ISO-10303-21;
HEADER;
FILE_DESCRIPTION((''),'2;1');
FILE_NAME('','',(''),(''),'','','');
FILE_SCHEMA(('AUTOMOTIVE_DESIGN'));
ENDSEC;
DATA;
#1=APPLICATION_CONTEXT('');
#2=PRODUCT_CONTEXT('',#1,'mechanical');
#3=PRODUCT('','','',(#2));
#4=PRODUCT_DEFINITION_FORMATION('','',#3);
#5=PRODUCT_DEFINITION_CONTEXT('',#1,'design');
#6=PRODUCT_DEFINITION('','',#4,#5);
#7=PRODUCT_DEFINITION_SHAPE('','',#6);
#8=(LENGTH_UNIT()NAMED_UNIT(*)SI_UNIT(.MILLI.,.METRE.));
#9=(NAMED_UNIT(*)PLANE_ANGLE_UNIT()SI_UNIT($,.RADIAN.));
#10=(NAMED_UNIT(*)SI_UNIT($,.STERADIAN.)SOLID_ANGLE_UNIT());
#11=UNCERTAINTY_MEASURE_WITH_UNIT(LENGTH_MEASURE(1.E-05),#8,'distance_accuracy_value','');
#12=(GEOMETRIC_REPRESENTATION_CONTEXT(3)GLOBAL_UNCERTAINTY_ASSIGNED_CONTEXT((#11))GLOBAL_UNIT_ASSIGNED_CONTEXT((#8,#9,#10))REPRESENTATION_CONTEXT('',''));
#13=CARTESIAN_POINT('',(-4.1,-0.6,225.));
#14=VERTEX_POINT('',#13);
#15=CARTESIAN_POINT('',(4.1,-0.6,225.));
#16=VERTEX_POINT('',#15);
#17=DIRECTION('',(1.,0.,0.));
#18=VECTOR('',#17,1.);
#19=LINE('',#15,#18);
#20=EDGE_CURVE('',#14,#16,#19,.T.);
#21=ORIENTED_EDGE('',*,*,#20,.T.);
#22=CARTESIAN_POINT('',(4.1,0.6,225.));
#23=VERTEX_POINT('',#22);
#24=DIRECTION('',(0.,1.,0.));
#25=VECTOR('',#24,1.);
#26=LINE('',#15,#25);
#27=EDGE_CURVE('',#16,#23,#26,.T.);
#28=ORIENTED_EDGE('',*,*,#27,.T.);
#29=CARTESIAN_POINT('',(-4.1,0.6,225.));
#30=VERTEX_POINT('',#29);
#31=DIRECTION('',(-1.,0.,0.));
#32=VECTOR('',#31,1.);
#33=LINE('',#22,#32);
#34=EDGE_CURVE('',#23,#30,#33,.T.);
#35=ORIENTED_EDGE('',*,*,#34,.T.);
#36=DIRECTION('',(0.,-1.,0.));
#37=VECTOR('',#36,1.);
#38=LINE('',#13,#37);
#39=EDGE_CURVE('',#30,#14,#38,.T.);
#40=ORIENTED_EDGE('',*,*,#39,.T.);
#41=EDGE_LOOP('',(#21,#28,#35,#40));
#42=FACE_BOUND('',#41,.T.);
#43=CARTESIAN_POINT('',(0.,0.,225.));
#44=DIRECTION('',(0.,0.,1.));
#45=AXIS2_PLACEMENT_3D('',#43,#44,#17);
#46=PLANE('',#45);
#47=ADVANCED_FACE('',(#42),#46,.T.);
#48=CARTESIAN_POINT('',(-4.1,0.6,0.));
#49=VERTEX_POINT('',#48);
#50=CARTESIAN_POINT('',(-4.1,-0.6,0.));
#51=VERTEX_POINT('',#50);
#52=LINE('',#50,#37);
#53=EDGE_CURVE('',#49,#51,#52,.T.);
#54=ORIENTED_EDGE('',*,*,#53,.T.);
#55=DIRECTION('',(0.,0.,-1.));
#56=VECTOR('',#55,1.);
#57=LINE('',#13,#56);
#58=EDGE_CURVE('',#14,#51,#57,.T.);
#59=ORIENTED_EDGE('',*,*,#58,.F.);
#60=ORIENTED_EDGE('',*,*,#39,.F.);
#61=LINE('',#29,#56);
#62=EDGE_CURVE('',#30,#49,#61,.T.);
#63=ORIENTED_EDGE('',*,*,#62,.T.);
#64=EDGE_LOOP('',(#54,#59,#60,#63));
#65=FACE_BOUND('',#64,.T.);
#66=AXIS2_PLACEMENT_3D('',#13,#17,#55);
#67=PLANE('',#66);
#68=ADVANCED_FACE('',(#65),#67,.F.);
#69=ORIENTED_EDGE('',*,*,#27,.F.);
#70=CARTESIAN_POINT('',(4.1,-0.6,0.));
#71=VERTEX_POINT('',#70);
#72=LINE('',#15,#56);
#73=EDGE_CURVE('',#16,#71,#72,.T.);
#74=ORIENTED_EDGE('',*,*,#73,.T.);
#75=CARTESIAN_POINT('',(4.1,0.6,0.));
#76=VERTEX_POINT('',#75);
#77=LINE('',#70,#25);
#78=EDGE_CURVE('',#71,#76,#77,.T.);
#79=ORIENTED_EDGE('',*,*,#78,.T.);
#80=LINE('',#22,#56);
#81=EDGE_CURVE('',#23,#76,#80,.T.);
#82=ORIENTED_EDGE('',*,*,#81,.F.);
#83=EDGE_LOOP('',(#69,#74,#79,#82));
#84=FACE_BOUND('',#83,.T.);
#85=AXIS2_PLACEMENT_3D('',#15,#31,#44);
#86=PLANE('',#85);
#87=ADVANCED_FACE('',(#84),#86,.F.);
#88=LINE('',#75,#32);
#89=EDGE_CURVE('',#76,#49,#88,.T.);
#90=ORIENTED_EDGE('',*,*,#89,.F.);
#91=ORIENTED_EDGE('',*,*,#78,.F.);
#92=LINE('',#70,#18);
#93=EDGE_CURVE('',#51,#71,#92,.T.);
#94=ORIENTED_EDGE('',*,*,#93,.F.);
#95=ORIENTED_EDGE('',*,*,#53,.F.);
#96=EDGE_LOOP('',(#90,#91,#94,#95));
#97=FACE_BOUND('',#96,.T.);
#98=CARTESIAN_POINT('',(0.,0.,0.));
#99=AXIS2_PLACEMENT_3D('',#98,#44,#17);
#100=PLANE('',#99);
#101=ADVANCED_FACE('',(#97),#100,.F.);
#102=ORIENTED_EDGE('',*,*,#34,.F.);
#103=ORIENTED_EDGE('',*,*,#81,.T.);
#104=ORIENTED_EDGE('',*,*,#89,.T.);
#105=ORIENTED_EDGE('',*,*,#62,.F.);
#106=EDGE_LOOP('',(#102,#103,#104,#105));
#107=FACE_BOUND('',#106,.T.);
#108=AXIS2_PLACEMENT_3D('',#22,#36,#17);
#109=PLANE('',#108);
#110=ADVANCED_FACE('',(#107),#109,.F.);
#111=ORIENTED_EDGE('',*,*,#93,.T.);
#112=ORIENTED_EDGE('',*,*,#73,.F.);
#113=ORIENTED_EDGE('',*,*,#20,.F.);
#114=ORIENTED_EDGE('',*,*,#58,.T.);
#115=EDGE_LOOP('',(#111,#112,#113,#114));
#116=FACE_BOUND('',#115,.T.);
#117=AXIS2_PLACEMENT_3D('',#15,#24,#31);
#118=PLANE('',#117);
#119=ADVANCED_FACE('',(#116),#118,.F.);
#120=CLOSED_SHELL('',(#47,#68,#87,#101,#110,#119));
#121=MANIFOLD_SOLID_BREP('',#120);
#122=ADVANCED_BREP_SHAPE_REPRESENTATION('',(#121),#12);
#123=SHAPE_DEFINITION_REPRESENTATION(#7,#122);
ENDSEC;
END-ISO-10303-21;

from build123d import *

# Parameters (mm, degrees)
SCHIZZO1_W                   = 8.2
SCHIZZO1_H                   = 1.2
ESTRUSIONE_ESTRUSIONE1_DEPTH = 225


with BuildPart() as part:
    # Schizzo1 → Estrusione-Estrusione1 (new body)
    with BuildSketch(Plane.XY):
        Rectangle(SCHIZZO1_W, SCHIZZO1_H)
    extrude(amount=ESTRUSIONE_ESTRUSIONE1_DEPTH)


solid = part.part
